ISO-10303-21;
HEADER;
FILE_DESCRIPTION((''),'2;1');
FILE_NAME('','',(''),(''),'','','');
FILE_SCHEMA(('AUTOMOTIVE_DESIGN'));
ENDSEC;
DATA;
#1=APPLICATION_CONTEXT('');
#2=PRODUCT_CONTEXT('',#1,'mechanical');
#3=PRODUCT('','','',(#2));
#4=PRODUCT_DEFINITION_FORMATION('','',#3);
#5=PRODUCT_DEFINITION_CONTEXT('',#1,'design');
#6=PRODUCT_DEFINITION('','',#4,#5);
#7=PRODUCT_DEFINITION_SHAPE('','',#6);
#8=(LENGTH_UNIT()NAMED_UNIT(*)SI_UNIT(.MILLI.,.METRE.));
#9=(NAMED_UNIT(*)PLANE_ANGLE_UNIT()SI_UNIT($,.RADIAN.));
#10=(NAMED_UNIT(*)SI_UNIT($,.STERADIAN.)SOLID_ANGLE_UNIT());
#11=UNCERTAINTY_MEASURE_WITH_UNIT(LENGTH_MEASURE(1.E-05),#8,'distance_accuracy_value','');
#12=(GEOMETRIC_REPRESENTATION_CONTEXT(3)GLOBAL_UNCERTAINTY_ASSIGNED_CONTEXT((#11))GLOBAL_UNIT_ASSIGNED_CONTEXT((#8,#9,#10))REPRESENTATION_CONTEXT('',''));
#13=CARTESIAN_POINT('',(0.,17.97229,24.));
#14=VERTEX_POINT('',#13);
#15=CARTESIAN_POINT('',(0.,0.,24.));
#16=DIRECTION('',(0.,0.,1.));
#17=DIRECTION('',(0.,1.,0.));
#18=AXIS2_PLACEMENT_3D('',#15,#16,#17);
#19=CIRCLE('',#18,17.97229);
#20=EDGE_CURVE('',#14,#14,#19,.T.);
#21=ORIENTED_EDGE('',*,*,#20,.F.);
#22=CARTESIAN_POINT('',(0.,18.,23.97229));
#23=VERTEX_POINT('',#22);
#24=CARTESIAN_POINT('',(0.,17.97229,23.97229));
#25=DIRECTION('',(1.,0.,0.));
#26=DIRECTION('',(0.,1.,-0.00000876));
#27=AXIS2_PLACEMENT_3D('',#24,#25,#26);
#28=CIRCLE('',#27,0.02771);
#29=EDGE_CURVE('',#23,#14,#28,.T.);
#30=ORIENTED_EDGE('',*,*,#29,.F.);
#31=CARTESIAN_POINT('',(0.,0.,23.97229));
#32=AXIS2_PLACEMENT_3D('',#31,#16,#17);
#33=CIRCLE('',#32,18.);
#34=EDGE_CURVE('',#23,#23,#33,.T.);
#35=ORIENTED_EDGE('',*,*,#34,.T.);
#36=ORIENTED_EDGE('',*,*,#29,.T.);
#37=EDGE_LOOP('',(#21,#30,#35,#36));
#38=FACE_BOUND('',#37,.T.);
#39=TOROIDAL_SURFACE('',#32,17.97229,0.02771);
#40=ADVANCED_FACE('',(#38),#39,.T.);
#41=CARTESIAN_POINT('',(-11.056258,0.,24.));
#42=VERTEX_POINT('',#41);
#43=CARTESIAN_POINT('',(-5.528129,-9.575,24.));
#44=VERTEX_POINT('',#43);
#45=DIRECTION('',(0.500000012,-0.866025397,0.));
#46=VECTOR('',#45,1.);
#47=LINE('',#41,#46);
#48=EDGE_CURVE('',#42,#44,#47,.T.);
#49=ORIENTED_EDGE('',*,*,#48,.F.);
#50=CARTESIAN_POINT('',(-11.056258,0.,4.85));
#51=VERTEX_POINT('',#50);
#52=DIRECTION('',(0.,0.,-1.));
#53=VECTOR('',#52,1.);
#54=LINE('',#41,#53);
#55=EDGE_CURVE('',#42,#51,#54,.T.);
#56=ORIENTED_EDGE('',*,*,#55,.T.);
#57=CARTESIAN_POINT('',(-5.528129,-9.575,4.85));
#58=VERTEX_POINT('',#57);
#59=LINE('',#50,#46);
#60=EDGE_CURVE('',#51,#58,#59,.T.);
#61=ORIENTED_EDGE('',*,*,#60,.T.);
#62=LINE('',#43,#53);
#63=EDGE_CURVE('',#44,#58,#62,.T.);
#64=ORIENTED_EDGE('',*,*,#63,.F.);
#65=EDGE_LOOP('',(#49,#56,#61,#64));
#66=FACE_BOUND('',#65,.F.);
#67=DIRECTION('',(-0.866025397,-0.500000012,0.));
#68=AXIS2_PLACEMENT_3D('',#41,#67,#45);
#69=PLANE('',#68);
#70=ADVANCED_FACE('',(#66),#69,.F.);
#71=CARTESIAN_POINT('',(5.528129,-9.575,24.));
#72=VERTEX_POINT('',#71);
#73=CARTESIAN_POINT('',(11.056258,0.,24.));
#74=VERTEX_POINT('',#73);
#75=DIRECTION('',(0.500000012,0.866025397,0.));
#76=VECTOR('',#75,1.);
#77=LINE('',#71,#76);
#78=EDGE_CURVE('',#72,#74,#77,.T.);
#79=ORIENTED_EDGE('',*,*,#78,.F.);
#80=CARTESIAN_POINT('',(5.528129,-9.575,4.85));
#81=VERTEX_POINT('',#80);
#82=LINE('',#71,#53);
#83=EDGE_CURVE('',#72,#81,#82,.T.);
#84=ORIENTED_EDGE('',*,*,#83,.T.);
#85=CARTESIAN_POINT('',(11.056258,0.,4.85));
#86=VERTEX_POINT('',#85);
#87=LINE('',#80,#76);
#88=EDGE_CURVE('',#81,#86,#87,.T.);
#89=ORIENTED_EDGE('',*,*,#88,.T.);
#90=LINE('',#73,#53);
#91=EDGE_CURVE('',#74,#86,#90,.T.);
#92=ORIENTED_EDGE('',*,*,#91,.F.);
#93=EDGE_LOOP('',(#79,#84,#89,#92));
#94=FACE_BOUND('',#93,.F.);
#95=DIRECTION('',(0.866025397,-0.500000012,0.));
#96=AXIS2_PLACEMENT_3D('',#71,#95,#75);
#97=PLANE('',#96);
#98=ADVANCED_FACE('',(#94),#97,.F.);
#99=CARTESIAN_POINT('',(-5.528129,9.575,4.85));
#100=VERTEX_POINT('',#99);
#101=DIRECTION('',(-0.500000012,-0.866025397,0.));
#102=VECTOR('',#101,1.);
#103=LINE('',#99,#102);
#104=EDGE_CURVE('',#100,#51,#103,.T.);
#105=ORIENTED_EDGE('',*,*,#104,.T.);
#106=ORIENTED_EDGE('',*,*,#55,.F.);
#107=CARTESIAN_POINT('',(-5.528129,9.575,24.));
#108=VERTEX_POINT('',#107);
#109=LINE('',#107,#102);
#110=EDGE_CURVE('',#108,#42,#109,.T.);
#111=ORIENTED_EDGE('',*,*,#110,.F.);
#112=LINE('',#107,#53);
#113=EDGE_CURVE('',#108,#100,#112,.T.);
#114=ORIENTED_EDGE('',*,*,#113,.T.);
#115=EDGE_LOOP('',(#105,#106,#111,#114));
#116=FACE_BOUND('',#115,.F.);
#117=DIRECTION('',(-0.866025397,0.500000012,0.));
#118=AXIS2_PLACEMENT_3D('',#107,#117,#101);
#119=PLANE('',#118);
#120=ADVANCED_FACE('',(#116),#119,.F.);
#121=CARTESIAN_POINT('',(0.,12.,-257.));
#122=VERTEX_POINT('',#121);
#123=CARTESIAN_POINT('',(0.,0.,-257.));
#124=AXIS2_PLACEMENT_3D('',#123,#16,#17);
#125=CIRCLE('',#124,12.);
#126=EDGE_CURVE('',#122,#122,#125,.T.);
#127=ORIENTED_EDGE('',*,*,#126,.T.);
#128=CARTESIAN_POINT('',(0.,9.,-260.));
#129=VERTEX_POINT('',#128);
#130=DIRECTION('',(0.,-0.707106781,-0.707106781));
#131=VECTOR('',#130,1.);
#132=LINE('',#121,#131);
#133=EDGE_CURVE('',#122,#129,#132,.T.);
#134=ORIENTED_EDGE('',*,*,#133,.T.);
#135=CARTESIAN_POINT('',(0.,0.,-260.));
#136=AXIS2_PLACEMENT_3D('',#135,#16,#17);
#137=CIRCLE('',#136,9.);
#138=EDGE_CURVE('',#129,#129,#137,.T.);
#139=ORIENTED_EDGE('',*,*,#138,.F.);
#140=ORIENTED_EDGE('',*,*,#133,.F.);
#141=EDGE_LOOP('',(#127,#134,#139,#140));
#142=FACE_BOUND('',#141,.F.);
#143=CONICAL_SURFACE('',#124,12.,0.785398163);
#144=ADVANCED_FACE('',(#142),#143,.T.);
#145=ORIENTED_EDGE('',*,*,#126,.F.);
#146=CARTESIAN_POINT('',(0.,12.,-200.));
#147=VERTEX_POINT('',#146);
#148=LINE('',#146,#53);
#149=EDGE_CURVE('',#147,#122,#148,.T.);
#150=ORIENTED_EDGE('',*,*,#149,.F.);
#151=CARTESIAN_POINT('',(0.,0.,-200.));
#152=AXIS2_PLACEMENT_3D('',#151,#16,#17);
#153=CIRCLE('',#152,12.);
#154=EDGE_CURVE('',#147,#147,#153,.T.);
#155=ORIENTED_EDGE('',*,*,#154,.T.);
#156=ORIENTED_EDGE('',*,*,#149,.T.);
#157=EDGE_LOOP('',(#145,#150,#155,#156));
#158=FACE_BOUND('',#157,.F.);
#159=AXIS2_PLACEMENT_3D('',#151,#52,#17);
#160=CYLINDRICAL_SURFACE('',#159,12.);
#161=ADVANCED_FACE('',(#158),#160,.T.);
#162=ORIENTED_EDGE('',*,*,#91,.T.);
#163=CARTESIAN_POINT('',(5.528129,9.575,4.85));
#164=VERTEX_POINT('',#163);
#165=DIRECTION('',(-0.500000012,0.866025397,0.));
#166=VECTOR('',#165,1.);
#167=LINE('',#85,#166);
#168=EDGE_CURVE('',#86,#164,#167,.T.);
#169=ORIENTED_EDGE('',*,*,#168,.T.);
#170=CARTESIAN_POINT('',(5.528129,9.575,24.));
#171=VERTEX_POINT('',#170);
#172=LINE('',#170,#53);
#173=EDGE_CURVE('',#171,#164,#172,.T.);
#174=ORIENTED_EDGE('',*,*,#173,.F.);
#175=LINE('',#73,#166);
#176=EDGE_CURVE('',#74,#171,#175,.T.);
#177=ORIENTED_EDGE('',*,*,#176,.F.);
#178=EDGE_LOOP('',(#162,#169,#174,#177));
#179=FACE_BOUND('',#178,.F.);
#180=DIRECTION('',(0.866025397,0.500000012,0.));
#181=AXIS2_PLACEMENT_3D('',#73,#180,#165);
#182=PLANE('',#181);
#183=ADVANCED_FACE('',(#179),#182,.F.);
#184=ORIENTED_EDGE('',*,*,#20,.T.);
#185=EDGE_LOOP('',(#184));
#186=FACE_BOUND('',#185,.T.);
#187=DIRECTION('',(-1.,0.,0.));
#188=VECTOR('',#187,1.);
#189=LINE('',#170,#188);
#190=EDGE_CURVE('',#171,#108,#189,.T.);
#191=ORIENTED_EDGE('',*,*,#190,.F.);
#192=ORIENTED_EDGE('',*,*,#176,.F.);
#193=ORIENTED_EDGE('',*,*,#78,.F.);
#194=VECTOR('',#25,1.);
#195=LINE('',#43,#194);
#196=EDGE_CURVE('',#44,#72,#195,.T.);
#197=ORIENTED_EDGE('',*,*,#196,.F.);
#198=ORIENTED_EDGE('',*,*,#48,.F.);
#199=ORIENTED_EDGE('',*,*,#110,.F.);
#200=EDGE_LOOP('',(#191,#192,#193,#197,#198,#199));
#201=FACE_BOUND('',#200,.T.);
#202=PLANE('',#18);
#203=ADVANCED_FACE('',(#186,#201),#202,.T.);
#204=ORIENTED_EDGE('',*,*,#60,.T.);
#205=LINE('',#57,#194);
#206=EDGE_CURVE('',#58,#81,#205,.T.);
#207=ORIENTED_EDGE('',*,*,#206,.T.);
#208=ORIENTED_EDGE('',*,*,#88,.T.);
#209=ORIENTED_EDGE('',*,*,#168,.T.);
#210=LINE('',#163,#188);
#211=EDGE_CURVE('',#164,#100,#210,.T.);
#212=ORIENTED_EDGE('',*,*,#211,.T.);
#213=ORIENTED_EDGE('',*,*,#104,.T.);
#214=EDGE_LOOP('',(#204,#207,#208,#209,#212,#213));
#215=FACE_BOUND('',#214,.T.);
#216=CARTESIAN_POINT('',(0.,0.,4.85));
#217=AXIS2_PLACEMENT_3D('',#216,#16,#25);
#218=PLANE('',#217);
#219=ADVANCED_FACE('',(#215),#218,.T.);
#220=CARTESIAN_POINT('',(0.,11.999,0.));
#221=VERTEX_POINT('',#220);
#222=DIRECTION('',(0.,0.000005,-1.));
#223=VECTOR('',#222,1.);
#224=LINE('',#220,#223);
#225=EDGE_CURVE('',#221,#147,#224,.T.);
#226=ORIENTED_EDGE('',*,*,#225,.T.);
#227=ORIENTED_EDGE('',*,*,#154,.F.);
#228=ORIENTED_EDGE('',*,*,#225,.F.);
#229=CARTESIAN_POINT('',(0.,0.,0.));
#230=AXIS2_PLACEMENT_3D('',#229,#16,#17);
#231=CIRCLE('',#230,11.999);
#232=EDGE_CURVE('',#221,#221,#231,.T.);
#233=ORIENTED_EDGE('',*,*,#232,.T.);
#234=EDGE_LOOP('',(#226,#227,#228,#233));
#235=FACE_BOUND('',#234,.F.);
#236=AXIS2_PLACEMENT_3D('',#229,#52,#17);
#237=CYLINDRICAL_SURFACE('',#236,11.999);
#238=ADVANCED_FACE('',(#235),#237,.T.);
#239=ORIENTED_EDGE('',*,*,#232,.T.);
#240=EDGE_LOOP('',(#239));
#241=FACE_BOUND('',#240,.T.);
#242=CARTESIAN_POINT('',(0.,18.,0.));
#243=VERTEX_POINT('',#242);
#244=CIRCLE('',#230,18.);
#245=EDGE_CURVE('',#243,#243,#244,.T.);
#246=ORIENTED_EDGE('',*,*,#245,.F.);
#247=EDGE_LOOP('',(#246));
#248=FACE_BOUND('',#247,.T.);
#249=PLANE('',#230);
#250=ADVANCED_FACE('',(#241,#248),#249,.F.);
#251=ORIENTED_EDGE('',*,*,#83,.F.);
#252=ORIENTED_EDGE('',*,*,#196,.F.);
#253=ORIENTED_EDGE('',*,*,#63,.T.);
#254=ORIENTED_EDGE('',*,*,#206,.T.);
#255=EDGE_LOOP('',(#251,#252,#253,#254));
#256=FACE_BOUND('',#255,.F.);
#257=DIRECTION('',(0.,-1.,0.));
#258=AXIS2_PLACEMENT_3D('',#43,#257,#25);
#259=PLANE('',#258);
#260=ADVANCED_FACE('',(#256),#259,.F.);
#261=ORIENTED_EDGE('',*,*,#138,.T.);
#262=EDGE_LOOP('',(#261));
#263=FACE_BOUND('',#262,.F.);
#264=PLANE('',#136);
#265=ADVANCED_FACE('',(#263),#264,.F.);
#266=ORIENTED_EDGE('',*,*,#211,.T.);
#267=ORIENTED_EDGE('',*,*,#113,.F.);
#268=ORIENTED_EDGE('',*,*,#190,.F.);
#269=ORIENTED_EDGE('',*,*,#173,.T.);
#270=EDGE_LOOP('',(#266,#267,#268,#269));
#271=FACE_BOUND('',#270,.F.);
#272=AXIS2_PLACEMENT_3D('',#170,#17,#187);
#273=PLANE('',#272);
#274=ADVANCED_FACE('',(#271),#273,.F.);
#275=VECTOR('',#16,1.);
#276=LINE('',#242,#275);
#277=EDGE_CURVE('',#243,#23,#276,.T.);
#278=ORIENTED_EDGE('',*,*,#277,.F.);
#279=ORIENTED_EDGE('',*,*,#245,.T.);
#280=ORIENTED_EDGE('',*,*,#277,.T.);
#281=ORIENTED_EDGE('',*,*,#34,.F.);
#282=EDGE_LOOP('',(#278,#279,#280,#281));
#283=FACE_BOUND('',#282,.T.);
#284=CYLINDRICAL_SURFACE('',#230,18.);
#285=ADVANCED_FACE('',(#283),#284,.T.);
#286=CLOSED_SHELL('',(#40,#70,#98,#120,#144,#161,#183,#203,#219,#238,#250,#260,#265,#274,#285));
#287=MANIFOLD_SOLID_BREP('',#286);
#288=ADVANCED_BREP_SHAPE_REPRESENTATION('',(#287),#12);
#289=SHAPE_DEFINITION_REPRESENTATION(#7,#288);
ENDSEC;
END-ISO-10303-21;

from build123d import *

# Parameters (mm, degrees)
POCKET_DEPTH = 19.15


with BuildPart() as part:
    # Sketch → Revolve (revolve)
    with BuildSketch(Plane.YZ):
        with BuildLine():
            Line((11.999, 0), (18, 0))
            Line((18, 0), (18, 23.97229))
            ThreePointArc((18, 23.97229), (17.991884, 23.991884), (17.97229, 24))
            Line((17.97229, 24), (0, 24))
            Line((0, -260), (0, 24))
            Line((9, -260), (0, -260))
            Line((12, -257), (9, -260))
            Line((12, -200), (12, -257))
            Line((11.999, 0), (12, -200))
        make_face()
    revolve(axis=Axis((0, 0, 0), (0, 0, 1)))

    # Sketch001 → Pocket (cut)
    with BuildSketch(Plane.XY.offset(24)):
        Polygon((11.056258, 0), (5.528129, 9.575), (-5.528129, 9.575), (-11.056258, 0), (-5.528129, -9.575), (5.528129, -9.575), align=None)
    extrude(amount=-POCKET_DEPTH, mode=Mode.SUBTRACT)


solid = part.part
